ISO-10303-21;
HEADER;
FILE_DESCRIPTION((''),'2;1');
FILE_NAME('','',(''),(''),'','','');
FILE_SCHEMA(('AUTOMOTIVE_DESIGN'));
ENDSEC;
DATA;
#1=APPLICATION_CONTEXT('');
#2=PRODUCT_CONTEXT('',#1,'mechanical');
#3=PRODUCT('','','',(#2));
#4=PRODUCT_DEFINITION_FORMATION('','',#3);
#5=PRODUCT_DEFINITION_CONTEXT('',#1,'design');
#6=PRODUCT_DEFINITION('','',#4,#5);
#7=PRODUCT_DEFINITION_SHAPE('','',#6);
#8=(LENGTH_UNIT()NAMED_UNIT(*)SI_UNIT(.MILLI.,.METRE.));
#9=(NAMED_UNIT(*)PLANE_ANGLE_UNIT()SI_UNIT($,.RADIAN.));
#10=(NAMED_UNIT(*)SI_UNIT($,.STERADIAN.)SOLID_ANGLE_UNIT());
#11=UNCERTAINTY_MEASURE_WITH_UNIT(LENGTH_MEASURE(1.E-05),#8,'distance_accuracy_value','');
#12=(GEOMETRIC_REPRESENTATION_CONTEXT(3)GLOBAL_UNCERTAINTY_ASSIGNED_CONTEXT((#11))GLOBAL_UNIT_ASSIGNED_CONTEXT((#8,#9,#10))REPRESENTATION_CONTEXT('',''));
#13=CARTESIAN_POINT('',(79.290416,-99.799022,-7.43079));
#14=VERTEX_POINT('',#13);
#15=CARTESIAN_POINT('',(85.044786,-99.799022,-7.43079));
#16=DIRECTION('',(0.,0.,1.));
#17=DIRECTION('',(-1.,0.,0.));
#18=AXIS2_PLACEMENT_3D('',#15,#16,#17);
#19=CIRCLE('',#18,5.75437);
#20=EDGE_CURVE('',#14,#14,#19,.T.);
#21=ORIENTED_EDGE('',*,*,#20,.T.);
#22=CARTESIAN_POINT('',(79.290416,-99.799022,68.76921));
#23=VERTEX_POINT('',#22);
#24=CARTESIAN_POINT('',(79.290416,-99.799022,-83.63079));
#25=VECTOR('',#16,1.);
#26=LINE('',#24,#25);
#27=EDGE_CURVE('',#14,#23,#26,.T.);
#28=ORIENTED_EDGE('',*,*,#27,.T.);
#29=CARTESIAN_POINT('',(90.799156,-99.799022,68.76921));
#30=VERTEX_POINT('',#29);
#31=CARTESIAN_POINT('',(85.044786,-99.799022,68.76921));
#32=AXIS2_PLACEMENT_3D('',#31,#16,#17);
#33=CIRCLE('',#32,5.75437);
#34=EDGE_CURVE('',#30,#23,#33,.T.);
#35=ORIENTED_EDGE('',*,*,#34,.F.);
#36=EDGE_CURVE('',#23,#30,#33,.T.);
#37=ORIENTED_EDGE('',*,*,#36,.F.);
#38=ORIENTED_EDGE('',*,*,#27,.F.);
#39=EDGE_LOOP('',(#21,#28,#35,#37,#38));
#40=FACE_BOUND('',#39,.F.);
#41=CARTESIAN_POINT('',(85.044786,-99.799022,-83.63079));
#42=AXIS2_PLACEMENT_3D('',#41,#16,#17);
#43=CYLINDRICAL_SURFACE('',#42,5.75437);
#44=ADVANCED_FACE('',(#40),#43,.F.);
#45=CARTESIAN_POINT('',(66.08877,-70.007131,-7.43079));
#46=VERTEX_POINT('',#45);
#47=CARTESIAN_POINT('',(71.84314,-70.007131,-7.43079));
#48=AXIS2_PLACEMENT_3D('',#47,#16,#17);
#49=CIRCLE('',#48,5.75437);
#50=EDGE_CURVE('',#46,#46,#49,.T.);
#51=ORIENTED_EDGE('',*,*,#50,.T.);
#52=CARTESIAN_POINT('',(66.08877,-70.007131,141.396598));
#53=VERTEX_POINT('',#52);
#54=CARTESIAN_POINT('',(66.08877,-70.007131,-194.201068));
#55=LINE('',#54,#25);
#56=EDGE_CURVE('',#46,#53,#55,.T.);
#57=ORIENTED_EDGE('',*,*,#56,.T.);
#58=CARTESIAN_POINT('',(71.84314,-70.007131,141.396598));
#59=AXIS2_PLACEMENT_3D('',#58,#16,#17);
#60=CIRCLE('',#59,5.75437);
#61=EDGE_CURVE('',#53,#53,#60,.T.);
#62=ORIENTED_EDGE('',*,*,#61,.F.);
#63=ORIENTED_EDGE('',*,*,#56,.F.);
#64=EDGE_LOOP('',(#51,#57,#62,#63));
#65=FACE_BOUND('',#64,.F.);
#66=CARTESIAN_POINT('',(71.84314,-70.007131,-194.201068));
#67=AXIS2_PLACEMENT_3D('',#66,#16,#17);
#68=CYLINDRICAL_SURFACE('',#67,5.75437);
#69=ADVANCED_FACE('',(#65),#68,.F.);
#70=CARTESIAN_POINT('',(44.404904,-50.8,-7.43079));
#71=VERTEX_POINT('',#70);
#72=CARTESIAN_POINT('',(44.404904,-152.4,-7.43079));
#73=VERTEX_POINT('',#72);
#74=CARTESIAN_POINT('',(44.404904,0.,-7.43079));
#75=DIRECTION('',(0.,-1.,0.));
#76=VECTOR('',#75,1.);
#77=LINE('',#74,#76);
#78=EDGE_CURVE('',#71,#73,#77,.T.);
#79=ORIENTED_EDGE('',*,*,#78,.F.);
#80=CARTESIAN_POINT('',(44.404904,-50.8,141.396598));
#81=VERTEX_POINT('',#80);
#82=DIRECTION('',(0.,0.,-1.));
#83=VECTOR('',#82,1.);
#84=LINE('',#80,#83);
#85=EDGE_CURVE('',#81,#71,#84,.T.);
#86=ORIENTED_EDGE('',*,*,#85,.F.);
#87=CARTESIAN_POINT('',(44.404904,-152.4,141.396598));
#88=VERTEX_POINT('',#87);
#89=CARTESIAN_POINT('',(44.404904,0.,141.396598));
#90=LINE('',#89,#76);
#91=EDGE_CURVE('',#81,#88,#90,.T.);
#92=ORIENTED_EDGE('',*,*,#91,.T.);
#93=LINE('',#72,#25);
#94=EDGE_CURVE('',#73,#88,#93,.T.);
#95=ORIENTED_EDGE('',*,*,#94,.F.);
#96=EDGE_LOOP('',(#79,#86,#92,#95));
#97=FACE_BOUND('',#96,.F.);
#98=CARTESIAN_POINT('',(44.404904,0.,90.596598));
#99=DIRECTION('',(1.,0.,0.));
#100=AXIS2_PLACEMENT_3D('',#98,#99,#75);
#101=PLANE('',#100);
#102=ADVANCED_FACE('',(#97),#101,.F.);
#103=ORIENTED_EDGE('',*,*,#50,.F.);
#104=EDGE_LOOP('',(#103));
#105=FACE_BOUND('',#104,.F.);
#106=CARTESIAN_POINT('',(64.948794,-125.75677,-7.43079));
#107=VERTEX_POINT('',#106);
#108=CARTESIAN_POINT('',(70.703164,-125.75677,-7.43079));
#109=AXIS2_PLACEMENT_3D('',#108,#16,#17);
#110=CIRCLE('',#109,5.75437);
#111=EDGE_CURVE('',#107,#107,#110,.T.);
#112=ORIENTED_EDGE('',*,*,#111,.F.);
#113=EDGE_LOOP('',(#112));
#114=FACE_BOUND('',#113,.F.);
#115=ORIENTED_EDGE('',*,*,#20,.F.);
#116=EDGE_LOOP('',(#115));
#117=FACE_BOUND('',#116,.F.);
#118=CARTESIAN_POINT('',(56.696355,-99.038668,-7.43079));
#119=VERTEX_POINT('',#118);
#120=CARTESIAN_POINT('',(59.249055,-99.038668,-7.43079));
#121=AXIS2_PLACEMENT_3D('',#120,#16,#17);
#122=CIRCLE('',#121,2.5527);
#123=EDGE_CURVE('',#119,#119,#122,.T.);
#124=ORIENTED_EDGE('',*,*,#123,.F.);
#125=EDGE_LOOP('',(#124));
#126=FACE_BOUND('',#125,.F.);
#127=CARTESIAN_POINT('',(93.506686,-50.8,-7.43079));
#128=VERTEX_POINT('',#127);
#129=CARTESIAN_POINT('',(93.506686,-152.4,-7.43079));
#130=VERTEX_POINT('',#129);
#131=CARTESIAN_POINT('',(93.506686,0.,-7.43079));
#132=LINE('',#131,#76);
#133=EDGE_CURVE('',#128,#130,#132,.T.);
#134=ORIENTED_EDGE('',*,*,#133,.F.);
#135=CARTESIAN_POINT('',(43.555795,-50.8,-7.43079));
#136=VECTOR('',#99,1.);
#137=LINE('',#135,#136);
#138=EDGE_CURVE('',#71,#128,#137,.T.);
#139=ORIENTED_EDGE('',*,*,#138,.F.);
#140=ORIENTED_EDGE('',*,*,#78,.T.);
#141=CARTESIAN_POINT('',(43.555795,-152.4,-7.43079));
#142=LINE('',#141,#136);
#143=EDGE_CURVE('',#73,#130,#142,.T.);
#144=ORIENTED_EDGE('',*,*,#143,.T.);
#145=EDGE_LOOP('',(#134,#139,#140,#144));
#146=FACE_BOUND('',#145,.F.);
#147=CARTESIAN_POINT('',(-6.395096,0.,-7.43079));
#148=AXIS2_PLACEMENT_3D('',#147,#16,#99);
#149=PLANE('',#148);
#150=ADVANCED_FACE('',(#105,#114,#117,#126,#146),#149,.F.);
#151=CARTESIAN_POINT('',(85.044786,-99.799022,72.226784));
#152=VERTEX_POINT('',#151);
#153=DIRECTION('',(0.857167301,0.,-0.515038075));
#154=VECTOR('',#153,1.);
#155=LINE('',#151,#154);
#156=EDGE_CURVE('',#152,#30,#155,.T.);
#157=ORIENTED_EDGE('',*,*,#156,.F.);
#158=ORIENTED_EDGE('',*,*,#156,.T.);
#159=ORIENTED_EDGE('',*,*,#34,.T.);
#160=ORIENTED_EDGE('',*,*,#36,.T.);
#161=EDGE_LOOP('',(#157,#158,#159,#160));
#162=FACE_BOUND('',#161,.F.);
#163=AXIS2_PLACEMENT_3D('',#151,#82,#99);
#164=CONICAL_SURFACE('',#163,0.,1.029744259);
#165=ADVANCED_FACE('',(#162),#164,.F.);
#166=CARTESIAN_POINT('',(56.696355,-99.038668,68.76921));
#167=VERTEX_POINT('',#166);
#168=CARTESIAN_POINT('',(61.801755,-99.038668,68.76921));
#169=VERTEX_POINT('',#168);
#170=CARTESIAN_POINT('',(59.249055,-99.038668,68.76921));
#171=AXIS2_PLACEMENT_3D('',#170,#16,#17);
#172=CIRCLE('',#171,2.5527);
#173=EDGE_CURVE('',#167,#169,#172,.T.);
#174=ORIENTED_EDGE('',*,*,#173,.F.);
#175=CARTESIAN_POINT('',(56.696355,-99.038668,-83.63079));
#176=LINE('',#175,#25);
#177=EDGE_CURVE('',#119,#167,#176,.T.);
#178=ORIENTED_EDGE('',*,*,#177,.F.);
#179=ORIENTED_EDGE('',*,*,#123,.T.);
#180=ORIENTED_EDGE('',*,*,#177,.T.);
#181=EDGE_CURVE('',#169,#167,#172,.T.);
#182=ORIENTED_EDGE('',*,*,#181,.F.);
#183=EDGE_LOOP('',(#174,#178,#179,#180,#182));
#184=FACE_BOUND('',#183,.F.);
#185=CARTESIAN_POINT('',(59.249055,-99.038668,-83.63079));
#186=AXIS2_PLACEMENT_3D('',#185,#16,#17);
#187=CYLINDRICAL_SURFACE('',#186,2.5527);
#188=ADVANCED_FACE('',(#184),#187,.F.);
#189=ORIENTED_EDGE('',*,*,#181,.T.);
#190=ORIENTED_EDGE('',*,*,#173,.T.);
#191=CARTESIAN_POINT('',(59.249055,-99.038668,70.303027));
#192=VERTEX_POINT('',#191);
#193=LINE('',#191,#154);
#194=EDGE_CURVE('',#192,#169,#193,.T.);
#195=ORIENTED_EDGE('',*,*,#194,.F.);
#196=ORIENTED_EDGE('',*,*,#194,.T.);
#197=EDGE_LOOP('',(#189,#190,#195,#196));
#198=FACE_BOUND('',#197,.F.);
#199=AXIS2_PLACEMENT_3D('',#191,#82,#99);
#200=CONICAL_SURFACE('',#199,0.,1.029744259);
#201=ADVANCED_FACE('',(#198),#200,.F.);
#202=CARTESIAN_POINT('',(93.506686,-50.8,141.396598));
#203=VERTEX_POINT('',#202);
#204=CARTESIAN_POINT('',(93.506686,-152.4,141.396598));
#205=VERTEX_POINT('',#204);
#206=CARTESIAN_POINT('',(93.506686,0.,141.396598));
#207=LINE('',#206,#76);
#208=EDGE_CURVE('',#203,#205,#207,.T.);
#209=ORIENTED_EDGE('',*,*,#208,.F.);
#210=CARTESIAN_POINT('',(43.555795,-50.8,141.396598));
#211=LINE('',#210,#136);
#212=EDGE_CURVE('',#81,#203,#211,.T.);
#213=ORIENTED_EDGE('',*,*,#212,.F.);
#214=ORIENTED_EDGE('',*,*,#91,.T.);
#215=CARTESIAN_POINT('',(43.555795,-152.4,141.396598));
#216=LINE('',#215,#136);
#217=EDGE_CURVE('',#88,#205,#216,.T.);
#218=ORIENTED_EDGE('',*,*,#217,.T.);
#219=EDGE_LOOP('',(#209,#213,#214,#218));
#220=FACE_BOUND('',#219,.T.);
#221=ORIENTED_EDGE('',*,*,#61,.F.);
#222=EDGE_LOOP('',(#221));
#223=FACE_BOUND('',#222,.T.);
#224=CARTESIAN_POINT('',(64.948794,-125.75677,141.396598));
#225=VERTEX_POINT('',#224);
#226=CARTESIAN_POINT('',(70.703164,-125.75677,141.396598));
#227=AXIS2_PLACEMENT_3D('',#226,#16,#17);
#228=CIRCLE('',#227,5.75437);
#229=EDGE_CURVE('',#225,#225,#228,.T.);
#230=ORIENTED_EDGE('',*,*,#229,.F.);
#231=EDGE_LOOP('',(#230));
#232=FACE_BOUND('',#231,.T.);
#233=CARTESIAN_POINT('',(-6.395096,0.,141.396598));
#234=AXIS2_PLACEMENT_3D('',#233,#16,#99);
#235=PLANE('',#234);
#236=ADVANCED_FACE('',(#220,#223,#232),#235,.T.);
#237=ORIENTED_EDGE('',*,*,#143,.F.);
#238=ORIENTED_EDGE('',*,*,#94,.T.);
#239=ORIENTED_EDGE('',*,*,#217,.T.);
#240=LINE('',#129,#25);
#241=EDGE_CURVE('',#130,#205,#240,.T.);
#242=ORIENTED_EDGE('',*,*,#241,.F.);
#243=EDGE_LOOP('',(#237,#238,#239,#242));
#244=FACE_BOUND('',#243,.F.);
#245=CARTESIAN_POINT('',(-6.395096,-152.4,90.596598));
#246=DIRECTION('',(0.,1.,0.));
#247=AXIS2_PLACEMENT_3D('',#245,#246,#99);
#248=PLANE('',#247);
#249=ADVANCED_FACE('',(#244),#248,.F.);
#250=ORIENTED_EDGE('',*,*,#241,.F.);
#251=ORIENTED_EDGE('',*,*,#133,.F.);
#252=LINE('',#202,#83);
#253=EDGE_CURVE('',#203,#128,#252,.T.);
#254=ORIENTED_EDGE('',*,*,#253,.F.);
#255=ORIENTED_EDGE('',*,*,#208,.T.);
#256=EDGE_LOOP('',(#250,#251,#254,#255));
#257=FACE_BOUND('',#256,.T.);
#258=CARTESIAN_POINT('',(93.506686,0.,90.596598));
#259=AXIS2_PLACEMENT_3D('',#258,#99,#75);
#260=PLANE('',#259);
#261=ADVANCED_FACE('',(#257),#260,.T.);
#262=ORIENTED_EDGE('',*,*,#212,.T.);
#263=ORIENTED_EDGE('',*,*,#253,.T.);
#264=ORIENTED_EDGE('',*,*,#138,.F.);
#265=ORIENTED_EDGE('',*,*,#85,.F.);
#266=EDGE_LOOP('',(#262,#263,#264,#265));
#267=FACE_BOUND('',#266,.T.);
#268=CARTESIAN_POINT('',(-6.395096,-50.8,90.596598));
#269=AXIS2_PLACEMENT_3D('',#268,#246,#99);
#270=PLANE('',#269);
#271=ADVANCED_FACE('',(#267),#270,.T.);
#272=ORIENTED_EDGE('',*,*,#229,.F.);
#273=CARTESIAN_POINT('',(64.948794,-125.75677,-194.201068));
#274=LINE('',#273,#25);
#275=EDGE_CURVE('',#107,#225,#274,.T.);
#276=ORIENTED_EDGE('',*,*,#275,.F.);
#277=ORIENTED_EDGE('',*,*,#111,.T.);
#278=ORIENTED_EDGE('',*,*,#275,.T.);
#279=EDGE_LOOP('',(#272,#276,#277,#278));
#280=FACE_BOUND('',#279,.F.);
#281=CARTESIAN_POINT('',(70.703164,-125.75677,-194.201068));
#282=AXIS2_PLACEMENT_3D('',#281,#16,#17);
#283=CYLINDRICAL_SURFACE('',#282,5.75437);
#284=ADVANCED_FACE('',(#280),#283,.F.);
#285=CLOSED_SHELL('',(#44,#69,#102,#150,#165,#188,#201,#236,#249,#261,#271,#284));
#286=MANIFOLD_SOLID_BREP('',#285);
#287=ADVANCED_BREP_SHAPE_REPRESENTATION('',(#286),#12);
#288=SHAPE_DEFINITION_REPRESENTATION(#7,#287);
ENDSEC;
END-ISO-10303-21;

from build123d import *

# Parameters (mm, degrees)
F0_W      = 99.9017828144
F0_H      = 47.2273882478
F1_DEPTH  = 152.4
F2_DEPTH  = 50.8
F3_DEPTH  = 50.8
F4_DEPTH  = 50.8
F5_DEPTH  = 50.8
F7_D      = 11.50874
F10_D     = 11.50874
F10_DEPTH = 76.2
F10_TIP   = 3.4575743203
F11_D     = 5.1054
F11_DEPTH = 76.2
F11_TIP   = 1.5338169022


with BuildPart() as f1:
    # F0 (on Front) → F1 (new body)
    with BuildSketch(Plane.XZ):
        with Locations((43.5557949822, 16.1829041317)):
            Rectangle(F0_W, F0_H)
    extrude(amount=F1_DEPTH)

    # F2 (add): a face of the model
    f2_faces = [f1.faces().sort_by_distance(p)[0] for p in [
        (43.5557949822, -76.2, 39.7965982556),
    ]]
    extrude(f2_faces, amount=F2_DEPTH)

    # F3 (add): a face of the model
    f3_faces = [f1.faces().sort_by_distance(p)[0] for p in [
        (43.5557949822, -76.2, 90.5965982556),
    ]]
    extrude(f3_faces, amount=F3_DEPTH)

    # F4 (cut): a face of the model
    f4_faces = [f1.faces().sort_by_distance(p)[0] for p in [
        (-6.395096425, -76.2, 66.9829041317),
    ]]
    extrude(f4_faces, amount=-F4_DEPTH, mode=Mode.SUBTRACT)

    # F5 (cut): a face of the model
    f5_faces = [f1.faces().sort_by_distance(p)[0] for p in [
        (68.9557949822, 0, 66.9829041317),
    ]]
    extrude(f5_faces, amount=-F5_DEPTH, mode=Mode.SUBTRACT)

    # F7 (through all)
    with Locations(Plane(origin=(0, 0, -7.4307899922), x_dir=(1, 0, 0), z_dir=(0, 0, -1))):
        with Locations((70.703163743, 125.7567703724), (71.8431398273, 70.0071305037)):
            Hole(F7_D / 2)

    # F10
    with Locations(Plane(origin=(0, 0, -7.4307899922), x_dir=(1, 0, 0), z_dir=(0, 0, -1))):
        with Locations((85.044786334, 99.7990220785)):
            Hole(F10_D / 2, depth=F10_DEPTH)
            with Locations((0, 0, -(F10_DEPTH + F10_TIP / 2))):  # 118° drill point
                Cone(0, F10_D / 2, F10_TIP, mode=Mode.SUBTRACT)

    # F11
    with Locations(Plane(origin=(0, 0, -7.4307899922), x_dir=(1, 0, 0), z_dir=(0, 0, -1))):
        with Locations((59.2490546405, 99.0386679769)):
            Hole(F11_D / 2, depth=F11_DEPTH)
            with Locations((0, 0, -(F11_DEPTH + F11_TIP / 2))):  # 118° drill point
                Cone(0, F11_D / 2, F11_TIP, mode=Mode.SUBTRACT)


solid = f1.part
